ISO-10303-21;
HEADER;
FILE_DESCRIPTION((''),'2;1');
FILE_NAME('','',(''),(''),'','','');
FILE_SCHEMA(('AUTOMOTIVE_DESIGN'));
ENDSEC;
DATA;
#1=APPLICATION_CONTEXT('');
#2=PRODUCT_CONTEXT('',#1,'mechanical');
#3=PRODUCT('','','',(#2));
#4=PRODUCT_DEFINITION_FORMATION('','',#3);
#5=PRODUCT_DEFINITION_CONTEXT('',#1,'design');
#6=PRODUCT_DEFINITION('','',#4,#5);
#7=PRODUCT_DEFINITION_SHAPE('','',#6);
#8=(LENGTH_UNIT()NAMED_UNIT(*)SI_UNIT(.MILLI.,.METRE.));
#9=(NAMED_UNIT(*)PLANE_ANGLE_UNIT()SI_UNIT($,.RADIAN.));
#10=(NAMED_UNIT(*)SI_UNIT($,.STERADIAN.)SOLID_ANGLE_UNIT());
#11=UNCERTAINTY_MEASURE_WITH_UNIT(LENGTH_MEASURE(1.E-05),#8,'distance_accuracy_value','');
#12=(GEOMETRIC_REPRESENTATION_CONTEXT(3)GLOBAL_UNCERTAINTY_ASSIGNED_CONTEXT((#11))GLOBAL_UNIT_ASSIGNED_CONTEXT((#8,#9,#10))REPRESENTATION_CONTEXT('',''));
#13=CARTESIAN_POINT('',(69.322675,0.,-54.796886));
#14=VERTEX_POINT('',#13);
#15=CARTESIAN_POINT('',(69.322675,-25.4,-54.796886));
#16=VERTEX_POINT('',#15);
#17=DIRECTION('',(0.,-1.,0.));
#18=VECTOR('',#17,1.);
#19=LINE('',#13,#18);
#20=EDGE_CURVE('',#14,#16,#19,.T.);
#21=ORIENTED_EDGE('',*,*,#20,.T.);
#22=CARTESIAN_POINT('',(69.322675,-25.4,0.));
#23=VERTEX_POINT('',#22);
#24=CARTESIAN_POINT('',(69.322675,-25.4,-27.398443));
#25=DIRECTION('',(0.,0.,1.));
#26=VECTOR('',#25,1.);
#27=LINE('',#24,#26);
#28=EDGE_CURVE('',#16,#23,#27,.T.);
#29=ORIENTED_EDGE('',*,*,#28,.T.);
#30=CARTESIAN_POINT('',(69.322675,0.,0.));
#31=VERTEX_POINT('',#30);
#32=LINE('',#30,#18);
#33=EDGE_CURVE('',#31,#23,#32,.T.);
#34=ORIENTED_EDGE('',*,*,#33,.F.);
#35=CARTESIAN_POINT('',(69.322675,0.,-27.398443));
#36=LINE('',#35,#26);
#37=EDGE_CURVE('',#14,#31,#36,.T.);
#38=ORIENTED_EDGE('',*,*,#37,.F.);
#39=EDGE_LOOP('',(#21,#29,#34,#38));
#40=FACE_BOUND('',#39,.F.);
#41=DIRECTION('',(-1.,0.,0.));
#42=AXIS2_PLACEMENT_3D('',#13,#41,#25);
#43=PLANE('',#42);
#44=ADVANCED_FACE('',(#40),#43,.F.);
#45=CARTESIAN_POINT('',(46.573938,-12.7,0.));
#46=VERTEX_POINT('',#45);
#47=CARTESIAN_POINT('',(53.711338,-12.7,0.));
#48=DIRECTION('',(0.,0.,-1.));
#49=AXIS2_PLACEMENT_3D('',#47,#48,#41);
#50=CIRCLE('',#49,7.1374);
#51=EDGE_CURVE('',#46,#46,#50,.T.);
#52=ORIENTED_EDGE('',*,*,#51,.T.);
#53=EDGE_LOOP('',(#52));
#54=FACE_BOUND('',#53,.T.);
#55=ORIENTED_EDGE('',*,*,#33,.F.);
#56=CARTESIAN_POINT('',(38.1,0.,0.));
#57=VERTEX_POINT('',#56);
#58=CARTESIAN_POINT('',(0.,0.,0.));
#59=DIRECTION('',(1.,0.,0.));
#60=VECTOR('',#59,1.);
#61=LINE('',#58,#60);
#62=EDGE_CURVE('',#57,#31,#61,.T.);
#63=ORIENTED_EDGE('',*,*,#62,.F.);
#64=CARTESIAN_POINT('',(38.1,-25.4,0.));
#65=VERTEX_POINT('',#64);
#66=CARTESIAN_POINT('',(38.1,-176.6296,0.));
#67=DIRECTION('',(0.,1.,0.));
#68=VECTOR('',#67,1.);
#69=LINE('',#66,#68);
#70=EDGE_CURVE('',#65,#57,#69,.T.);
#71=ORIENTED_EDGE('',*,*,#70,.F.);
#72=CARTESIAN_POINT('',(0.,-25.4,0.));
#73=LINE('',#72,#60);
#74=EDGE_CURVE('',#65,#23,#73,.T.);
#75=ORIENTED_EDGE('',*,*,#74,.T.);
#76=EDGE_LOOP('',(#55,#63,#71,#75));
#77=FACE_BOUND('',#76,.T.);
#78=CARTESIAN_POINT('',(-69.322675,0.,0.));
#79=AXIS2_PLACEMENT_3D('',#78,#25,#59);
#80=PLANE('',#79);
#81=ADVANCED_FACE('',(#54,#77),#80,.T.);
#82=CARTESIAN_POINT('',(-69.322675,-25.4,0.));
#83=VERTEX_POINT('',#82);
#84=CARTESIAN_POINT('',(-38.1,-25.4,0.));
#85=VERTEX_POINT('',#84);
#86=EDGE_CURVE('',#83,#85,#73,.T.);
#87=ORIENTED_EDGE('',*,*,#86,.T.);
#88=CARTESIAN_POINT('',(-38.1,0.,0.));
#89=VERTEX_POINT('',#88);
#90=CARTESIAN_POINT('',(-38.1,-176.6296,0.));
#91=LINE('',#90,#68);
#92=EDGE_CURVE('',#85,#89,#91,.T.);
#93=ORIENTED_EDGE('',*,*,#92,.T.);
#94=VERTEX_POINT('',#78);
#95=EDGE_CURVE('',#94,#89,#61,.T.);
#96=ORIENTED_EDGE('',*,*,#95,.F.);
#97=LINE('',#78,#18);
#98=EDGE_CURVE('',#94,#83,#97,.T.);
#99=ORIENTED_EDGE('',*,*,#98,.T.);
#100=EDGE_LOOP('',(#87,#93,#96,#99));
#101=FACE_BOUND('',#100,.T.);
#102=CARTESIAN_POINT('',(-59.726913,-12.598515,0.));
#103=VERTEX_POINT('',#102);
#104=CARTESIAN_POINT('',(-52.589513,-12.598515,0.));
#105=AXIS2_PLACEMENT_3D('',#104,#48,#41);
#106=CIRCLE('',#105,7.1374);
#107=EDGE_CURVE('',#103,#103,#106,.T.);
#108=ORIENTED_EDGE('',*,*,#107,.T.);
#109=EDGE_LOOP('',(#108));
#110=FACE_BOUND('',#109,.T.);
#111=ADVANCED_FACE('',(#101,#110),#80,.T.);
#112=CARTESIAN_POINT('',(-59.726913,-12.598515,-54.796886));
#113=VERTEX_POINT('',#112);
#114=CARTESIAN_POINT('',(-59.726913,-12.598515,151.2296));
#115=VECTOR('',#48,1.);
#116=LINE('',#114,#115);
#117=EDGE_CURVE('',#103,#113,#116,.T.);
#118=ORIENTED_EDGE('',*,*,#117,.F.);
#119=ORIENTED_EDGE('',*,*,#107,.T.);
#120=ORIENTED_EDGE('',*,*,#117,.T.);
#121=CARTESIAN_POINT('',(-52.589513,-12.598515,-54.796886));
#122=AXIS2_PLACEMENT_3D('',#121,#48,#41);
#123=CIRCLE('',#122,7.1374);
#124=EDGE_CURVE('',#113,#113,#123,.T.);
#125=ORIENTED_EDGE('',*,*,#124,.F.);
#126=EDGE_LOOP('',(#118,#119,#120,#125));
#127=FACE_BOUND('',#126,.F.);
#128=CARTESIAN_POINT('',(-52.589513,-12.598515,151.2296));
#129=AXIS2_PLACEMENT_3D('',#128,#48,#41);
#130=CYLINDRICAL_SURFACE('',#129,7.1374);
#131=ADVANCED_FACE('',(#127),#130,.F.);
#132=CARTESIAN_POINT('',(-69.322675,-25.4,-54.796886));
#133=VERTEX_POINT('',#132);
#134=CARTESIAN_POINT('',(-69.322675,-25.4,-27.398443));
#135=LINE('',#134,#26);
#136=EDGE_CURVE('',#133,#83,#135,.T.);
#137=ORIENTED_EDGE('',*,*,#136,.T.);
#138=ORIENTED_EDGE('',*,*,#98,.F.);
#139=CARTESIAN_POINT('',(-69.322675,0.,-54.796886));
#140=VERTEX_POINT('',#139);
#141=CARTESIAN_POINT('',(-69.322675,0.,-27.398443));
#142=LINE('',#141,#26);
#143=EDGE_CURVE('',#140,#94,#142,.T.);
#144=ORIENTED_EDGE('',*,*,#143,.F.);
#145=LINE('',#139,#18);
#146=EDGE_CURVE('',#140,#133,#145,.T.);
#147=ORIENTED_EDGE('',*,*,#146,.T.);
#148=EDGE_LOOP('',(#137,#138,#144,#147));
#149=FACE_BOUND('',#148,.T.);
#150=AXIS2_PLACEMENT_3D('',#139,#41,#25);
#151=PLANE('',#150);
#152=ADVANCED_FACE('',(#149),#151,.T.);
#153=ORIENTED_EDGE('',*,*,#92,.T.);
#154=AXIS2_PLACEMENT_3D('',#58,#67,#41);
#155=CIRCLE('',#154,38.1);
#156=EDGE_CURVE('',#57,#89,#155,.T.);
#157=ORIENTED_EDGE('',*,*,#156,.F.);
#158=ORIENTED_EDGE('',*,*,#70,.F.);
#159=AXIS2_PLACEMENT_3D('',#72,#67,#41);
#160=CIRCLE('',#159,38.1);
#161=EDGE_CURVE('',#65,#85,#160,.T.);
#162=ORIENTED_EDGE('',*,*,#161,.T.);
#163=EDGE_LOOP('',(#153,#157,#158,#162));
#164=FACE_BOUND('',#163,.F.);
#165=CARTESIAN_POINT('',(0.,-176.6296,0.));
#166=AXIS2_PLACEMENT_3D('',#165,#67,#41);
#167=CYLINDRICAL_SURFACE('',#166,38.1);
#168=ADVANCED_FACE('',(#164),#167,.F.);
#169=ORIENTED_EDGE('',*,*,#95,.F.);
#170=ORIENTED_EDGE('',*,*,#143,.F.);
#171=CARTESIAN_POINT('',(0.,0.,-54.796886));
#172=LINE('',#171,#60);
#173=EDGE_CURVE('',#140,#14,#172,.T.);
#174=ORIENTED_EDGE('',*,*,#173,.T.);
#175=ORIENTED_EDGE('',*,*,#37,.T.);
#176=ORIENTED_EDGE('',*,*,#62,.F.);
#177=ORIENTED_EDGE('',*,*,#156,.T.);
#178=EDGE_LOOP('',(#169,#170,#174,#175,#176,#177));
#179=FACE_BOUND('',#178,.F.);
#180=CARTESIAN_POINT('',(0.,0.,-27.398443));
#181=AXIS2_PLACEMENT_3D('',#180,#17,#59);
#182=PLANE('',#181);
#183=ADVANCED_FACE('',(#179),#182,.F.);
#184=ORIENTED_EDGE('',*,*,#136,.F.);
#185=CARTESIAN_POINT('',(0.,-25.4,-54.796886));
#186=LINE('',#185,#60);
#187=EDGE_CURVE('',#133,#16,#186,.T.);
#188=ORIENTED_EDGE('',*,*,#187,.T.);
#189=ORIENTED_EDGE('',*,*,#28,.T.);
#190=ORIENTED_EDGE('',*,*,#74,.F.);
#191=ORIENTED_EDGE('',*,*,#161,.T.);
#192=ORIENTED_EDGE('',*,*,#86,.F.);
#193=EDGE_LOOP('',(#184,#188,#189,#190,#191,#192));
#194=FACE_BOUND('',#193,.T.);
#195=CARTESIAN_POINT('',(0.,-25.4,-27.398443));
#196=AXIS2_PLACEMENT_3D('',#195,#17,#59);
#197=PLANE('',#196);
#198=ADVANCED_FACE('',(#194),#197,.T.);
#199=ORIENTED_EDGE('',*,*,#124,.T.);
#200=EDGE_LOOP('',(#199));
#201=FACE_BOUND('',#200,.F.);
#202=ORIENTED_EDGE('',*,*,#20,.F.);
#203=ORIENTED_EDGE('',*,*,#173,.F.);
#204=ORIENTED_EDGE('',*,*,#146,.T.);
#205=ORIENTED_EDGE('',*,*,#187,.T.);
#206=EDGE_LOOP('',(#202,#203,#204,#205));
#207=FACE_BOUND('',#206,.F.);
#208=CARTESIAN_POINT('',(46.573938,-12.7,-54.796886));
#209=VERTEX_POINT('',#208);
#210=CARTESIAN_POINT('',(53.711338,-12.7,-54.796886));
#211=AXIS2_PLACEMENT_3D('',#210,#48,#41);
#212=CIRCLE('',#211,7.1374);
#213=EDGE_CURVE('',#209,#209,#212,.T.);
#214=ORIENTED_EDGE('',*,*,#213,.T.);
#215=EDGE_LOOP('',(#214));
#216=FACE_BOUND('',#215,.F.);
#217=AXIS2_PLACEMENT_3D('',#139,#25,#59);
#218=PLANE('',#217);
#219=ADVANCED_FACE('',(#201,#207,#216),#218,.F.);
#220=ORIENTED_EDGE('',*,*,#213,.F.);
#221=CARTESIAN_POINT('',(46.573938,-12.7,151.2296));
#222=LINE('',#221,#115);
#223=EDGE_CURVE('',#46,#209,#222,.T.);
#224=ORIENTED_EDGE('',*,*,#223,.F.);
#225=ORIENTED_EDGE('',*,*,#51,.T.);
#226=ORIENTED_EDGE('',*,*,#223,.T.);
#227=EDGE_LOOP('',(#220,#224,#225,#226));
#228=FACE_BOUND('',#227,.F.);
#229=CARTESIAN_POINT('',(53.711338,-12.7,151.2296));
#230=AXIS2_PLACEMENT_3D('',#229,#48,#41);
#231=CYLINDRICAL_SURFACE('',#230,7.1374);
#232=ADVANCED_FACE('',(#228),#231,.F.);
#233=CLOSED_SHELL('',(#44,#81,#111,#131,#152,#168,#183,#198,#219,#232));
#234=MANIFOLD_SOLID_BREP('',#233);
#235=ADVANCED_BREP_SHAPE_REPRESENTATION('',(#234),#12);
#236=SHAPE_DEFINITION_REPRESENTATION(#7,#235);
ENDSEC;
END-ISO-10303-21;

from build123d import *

# Parameters (mm, degrees)
F0_W     = 138.64535
F0_H     = 54.796886
F1_DEPTH = 25.4
F3_D     = 76.2
F5_D     = 14.2748


with BuildPart() as f1:
    # F0 (on Front) → F1 (new body)
    with BuildSketch(Plane.XZ):
        with Locations((0, -27.398443)):
            Rectangle(F0_W, F0_H)
    extrude(amount=F1_DEPTH)

    # F3 (through all)
    with Locations(Plane.XZ.offset(25.4)):
        with Locations((0, 0)):
            Hole(F3_D / 2)

    # F5 (through all)
    with Locations(Plane.XY):
        with Locations((53.711338, -12.7), (-52.589513, -12.598515)):
            Hole(F5_D / 2)


solid = f1.part
